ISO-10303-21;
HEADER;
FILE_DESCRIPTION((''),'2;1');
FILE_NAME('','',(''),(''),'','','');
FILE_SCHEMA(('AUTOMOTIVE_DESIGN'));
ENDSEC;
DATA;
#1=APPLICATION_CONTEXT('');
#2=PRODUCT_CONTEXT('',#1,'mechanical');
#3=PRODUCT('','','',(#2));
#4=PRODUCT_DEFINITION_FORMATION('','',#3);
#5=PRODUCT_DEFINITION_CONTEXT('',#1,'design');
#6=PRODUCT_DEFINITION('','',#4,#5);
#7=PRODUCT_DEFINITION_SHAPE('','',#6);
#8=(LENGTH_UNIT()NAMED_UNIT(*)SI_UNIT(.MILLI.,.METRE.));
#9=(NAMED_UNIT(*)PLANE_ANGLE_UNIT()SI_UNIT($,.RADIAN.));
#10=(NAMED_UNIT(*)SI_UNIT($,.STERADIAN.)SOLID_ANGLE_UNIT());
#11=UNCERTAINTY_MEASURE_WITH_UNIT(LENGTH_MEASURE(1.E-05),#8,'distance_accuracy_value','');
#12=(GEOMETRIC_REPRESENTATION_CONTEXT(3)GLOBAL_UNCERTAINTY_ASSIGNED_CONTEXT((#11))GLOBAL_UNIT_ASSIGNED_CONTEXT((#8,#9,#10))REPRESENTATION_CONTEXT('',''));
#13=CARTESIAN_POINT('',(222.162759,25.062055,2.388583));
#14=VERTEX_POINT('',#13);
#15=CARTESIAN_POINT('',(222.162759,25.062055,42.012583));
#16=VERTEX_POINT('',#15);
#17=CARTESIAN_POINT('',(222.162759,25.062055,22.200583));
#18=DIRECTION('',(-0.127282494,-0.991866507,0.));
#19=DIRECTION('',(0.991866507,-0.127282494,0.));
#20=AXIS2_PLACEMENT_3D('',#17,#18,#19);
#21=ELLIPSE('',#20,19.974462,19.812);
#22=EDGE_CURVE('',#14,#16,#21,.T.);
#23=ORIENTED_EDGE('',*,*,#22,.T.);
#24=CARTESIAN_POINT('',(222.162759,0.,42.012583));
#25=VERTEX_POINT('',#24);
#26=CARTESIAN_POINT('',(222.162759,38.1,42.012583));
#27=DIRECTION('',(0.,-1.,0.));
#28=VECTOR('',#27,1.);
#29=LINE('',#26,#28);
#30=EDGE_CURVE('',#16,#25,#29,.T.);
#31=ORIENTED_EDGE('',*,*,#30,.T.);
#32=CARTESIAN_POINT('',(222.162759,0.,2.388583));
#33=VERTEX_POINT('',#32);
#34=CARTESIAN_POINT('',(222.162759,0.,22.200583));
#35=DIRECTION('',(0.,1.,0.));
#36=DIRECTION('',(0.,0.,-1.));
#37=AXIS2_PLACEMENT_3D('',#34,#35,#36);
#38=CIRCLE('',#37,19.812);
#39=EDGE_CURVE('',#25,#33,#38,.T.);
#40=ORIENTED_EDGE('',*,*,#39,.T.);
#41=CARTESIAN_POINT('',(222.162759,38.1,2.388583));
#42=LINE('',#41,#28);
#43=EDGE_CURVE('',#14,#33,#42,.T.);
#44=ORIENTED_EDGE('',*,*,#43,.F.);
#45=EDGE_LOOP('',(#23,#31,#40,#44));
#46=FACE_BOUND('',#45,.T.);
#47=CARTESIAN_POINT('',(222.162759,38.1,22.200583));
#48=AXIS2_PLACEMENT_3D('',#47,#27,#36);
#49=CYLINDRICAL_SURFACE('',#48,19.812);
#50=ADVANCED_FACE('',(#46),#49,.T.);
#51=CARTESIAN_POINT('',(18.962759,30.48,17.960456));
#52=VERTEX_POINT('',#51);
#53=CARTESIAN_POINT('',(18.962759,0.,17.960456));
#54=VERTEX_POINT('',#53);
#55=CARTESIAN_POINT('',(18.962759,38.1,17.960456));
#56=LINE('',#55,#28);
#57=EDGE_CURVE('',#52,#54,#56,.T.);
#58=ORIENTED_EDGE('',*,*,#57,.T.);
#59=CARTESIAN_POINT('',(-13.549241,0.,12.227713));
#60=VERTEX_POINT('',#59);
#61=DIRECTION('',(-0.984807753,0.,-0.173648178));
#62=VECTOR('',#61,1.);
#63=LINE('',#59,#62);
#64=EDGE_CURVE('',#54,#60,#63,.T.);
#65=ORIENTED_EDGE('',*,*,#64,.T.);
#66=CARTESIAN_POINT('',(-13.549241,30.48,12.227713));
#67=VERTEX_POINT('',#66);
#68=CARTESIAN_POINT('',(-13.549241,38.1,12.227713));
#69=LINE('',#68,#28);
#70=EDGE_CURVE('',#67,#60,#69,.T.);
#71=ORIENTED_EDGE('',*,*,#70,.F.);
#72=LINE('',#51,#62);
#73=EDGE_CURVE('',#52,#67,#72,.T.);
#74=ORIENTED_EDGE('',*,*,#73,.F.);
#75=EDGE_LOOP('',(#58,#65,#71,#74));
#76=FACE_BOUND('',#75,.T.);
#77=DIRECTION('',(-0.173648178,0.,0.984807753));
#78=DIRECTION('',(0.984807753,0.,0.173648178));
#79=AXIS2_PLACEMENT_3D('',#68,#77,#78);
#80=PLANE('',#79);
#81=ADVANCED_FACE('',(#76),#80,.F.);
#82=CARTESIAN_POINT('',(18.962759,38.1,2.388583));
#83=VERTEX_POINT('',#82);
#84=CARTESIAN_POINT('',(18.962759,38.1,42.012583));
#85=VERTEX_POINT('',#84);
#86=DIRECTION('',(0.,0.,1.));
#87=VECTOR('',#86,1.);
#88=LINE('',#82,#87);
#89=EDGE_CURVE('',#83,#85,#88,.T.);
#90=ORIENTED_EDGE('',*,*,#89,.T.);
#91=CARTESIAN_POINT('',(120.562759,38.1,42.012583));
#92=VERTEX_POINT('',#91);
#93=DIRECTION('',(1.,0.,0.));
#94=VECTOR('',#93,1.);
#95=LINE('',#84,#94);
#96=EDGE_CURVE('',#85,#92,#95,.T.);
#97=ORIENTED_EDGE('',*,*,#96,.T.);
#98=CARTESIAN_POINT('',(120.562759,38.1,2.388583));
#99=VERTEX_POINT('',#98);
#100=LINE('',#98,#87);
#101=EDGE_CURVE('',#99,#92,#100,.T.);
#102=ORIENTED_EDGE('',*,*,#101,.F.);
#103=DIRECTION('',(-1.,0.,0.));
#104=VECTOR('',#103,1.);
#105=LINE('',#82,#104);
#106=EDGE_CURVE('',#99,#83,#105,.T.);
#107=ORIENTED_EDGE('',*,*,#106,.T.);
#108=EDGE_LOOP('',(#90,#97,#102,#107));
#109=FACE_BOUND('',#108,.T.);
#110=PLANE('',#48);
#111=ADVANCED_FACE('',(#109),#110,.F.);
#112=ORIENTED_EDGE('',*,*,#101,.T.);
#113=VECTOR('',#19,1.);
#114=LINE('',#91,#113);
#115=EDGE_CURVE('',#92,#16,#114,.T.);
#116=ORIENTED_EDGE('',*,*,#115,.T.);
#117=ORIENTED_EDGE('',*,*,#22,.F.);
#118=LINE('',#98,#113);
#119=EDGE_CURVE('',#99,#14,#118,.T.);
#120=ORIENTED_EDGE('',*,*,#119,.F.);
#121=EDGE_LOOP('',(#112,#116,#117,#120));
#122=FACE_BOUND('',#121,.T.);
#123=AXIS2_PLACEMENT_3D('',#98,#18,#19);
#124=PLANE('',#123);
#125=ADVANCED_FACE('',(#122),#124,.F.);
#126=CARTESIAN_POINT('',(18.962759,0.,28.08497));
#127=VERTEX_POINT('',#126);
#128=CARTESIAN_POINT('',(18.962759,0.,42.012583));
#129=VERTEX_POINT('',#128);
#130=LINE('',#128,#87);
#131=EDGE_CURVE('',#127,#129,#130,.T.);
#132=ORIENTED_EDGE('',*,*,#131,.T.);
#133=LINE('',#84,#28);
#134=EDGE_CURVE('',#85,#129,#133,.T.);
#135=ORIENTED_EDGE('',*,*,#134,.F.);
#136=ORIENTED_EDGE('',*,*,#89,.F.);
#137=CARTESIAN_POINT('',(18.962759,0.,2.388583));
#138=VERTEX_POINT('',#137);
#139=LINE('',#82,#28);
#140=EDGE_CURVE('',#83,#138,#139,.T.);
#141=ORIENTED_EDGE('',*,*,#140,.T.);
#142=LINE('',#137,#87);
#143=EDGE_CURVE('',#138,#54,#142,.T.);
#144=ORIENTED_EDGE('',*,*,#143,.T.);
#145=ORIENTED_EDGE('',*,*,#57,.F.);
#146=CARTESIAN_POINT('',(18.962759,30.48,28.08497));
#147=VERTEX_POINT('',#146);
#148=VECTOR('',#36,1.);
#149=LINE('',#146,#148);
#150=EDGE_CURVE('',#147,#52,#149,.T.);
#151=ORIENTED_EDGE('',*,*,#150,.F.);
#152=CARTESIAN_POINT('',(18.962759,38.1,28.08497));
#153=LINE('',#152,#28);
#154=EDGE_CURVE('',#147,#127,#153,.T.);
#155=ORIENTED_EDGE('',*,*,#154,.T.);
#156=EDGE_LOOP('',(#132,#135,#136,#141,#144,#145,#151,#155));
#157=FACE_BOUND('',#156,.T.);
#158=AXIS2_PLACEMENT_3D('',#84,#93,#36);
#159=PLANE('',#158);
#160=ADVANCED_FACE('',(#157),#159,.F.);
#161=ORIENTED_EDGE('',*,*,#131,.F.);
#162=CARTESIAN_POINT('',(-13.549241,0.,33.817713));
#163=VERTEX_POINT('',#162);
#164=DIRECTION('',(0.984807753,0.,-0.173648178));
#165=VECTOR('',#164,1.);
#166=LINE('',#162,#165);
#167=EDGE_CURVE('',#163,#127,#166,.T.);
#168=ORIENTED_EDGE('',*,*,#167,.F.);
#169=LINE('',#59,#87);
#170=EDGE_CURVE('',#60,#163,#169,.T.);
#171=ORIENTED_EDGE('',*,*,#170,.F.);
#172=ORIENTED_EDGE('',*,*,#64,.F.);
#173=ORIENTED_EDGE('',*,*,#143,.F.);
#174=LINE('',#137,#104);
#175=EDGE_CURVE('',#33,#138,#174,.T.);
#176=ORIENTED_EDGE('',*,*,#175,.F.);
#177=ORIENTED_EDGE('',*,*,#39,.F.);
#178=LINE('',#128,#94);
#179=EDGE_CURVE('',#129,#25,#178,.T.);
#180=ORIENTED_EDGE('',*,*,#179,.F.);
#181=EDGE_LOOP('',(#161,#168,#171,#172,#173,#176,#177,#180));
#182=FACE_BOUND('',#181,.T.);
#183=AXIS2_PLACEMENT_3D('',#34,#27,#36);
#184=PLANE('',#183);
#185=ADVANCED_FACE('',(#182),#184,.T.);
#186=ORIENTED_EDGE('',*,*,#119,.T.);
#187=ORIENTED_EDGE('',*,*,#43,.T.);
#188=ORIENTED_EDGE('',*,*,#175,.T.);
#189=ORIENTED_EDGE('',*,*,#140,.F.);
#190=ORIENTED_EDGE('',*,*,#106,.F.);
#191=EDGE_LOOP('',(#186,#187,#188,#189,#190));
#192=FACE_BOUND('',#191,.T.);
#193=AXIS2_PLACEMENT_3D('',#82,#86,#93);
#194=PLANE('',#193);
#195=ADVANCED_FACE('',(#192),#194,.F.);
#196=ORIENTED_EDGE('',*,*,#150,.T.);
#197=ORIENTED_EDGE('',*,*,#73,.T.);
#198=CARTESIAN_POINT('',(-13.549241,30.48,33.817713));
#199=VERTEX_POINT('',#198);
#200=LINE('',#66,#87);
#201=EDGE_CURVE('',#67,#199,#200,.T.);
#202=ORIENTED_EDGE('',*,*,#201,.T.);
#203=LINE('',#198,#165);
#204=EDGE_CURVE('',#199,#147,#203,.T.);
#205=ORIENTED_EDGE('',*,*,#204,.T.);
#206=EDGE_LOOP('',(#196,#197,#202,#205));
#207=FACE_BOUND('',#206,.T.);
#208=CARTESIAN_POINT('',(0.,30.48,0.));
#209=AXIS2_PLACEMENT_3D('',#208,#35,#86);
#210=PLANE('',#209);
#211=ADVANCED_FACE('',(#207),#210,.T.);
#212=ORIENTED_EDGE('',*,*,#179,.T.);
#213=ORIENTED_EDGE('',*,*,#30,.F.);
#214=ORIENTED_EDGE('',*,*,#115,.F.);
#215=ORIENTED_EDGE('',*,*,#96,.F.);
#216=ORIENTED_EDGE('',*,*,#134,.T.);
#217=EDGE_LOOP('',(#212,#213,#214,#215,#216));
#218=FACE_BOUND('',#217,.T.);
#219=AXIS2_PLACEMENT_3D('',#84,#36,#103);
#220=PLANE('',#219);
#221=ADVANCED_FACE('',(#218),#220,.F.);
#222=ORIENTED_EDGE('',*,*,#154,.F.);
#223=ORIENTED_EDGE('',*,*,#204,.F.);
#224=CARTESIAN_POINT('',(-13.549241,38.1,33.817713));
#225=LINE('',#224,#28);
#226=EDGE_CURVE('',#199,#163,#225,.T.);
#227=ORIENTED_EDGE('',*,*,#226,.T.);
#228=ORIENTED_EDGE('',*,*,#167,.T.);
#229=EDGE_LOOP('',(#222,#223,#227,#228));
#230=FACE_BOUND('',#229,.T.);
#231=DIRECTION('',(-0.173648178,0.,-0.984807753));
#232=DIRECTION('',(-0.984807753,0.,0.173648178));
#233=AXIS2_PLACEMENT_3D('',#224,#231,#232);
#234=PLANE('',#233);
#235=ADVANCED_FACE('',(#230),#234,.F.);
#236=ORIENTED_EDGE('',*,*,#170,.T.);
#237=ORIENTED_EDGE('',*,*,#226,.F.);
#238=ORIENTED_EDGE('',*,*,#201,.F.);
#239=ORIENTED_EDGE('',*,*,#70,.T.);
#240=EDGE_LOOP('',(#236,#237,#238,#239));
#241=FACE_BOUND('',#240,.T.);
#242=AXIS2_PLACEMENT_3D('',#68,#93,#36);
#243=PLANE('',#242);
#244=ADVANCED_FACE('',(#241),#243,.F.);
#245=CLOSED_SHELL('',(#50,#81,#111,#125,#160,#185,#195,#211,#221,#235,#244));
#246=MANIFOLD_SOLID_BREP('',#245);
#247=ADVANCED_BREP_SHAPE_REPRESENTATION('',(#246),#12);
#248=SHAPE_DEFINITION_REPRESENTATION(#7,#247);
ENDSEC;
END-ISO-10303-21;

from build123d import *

# Parameters (mm, degrees)
BOSS_EXTRUDE1_DEPTH = 38.1
CUT_EXTRUDE1_DEPTH  = 7.62
CUT_EXTRUDE4_DEPTH  = 39.624


with BuildPart() as part:
    # Sketch2 → Boss-Extrude1 (new body)
    with BuildSketch(Plane(origin=(0, 0, 0), x_dir=(1, 0, 0), z_dir=(0, 1, 0))):
        with BuildLine():
            Line((-13.549240888, -12.227712799), (-13.549240888, -33.817712799))
            Line((-13.549240888, -33.817712799), (18.962759112, -28.084970002))
            Line((18.962759112, -28.084970002), (18.962759112, -42.01258333))
            Line((18.962759112, -42.01258333), (222.162759112, -42.01258333))
            ThreePointArc((222.162759112, -42.01258333), (241.974759112, -22.20058333), (222.162759112, -2.38858333))
            Line((222.162759112, -2.38858333), (18.962759112, -2.38858333))
            Line((18.962759112, -2.38858333), (18.962759112, -17.960455596))
            Line((18.962759112, -17.960455596), (-13.549240888, -12.227712799))
        make_face()
    extrude(amount=BOSS_EXTRUDE1_DEPTH)

    # Sketch3 → Cut-Extrude1 (cut)
    with BuildSketch(Plane(origin=(0, 38.1, 0), x_dir=(1, 0, 0), z_dir=(0, 1, 0))):
        Polygon((-13.549240888, -12.227712799), (-13.549240888, -33.817712799), (18.962759112, -28.084970002), (18.962759112, -17.960455596), align=None)
    extrude(amount=-CUT_EXTRUDE1_DEPTH, mode=Mode.SUBTRACT)

    # Sketch5 → Cut-Extrude4 (cut)
    with BuildSketch(Plane.XY.offset(42.01258333)):
        Polygon((120.562759112, 38.1), (241.974759112, 22.519655205), (241.974759112, 38.1), align=None)
    extrude(amount=-CUT_EXTRUDE4_DEPTH, mode=Mode.SUBTRACT)


solid = part.part
